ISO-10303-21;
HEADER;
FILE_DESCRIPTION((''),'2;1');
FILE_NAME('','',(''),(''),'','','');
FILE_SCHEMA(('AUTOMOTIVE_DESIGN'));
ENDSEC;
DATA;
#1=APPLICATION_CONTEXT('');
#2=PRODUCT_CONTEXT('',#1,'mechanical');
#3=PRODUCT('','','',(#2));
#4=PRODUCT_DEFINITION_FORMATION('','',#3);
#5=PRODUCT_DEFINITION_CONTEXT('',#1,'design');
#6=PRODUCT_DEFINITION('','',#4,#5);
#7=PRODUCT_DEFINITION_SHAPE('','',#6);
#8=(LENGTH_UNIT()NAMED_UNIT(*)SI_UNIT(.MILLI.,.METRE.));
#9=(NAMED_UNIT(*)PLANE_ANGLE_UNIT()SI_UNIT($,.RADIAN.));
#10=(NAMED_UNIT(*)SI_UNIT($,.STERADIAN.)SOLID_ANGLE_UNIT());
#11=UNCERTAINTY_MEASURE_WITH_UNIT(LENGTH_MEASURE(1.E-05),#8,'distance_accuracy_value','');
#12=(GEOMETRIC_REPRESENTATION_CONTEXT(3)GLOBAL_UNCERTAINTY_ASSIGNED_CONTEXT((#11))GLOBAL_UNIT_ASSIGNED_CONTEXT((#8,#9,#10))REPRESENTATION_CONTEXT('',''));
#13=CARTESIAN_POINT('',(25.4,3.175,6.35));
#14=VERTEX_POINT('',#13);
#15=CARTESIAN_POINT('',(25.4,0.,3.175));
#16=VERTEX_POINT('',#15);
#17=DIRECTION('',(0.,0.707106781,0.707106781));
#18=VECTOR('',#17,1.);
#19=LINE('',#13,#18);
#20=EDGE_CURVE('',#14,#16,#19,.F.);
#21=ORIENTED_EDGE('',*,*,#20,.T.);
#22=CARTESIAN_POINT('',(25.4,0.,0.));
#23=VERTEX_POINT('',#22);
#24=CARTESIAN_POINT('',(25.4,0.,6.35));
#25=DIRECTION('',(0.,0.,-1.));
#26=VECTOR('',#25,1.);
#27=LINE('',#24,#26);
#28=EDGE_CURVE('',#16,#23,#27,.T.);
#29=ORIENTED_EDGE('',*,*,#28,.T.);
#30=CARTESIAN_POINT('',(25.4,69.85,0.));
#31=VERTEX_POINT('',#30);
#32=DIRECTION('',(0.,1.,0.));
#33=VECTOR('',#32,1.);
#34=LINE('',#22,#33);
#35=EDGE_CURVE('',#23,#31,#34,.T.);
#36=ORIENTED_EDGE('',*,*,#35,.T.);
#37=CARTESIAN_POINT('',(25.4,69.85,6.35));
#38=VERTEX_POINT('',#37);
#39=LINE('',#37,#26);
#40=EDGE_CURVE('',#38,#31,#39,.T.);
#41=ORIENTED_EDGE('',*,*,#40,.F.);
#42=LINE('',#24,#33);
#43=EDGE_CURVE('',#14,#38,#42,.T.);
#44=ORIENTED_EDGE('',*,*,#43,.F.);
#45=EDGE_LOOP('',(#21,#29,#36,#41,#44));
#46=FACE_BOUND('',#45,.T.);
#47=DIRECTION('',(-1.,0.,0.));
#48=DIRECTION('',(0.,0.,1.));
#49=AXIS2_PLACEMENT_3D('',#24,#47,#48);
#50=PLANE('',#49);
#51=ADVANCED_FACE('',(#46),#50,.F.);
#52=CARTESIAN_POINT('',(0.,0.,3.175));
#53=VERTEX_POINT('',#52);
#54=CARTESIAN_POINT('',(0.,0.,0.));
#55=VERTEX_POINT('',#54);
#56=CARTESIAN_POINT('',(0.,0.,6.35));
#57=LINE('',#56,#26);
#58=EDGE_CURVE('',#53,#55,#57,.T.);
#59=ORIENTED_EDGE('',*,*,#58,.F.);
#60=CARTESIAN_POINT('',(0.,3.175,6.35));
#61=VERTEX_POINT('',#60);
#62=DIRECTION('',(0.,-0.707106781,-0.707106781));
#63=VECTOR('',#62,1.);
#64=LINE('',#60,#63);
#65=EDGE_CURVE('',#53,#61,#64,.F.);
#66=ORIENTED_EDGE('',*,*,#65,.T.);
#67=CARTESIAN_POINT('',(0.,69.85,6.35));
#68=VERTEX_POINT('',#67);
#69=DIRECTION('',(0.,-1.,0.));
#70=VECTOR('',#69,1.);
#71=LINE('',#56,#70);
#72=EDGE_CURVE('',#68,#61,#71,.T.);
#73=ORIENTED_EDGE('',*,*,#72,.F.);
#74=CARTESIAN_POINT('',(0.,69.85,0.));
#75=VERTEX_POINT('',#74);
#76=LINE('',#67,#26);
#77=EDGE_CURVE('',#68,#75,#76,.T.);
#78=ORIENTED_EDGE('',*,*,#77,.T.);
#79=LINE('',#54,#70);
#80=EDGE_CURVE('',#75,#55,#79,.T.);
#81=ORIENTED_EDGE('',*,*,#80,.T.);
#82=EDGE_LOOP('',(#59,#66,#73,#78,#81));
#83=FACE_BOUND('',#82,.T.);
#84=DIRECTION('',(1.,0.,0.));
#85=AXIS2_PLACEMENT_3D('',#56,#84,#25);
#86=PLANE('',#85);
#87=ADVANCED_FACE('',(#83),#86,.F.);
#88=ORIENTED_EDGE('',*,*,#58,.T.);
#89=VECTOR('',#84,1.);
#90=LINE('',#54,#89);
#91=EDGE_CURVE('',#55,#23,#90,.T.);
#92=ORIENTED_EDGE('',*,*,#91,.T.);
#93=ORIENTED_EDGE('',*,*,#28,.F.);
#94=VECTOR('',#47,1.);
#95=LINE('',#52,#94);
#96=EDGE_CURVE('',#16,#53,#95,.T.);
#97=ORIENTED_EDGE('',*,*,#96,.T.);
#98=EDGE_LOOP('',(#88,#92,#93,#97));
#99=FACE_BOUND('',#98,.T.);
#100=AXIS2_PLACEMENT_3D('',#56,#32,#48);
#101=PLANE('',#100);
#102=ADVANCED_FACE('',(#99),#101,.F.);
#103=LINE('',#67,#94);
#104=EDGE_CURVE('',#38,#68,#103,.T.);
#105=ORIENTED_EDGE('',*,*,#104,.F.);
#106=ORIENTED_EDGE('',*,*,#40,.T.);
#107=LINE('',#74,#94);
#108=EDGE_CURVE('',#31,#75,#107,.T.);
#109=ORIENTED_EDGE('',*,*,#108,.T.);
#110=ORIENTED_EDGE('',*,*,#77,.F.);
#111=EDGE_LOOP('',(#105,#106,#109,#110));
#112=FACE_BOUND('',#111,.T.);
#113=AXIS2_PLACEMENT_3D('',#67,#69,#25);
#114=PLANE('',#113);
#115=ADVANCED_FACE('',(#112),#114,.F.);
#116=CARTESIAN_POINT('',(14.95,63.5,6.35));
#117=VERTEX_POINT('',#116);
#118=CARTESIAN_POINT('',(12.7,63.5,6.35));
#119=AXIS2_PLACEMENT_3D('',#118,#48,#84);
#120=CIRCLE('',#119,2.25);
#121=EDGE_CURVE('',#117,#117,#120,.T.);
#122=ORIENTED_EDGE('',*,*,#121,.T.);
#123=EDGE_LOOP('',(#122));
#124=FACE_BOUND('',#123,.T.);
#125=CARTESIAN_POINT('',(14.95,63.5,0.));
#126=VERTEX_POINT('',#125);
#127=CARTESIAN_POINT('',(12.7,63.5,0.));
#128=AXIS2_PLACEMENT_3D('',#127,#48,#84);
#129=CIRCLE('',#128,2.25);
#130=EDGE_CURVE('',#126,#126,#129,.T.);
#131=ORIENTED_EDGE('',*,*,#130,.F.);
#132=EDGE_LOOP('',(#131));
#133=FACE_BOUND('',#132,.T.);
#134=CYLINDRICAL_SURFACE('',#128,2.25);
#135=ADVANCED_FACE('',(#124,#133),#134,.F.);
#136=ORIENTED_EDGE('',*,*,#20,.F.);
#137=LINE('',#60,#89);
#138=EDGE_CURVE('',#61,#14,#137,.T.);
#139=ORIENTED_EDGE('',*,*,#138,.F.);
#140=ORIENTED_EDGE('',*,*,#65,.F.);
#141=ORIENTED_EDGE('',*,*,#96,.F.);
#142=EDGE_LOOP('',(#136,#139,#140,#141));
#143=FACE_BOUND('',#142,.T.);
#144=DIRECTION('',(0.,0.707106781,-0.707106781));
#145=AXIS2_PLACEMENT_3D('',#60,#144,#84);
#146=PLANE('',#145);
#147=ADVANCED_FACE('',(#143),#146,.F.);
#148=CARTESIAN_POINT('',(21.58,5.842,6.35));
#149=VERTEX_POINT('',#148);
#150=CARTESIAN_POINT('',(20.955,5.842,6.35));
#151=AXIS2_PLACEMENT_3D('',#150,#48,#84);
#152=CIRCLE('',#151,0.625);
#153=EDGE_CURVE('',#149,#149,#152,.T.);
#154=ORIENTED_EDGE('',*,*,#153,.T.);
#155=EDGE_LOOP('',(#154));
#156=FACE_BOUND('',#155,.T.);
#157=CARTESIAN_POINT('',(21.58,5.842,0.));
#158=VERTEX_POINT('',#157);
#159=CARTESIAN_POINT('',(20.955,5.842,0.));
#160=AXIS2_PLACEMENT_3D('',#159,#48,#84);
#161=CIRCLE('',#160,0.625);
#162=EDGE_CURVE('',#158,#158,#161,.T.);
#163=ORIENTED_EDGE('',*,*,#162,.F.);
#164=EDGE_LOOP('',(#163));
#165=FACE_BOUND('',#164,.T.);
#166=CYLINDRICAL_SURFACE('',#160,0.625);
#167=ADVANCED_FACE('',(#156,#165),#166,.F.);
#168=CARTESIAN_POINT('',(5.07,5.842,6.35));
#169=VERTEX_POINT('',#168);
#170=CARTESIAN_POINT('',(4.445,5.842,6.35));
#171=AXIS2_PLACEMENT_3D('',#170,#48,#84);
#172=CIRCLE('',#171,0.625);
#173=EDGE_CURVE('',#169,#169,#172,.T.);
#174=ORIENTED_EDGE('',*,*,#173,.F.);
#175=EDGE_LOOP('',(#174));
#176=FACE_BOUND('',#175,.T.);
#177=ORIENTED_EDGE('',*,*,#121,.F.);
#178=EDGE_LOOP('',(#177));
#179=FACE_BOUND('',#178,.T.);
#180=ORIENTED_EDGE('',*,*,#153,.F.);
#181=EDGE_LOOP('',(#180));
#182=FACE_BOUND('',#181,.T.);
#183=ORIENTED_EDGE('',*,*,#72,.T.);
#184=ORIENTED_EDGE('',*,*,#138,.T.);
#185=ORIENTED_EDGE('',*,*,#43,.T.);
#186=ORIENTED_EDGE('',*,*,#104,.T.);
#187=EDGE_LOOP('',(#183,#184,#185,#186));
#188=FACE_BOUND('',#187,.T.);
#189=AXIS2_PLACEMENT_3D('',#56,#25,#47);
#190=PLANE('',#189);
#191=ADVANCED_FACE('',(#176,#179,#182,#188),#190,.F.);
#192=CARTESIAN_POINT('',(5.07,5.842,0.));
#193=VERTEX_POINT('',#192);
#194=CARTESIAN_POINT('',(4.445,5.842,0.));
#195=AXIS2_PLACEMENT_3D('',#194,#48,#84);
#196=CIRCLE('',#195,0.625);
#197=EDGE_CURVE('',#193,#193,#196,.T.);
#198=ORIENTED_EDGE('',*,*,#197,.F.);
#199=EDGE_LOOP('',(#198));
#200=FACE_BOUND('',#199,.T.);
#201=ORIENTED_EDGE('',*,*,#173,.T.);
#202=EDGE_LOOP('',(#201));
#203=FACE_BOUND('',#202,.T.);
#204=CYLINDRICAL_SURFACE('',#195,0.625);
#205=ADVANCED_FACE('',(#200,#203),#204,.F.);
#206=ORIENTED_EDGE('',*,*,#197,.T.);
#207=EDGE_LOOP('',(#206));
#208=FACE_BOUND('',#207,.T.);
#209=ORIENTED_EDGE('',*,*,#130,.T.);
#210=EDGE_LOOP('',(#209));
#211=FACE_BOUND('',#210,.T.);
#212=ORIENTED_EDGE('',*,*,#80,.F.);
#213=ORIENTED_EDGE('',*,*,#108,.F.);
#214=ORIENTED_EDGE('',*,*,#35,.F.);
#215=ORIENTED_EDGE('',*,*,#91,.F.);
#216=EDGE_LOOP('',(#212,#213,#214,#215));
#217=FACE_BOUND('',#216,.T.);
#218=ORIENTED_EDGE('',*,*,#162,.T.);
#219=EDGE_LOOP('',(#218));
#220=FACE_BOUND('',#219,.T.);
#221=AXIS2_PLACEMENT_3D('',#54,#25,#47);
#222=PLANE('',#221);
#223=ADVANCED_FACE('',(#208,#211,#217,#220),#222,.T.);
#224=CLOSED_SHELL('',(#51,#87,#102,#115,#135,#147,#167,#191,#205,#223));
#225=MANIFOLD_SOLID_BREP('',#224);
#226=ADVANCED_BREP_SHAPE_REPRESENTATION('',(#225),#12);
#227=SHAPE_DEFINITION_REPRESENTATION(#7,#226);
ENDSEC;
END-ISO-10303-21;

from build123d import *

# Parameters (mm, degrees)
SKETCH1_W           = 25.4
SKETCH1_H           = 69.85
BOSS_EXTRUDE1_DEPTH = 6.35
SKETCH2_R           = 2.25
SKETCH2_R_2         = 0.625
CUT_EXTRUDE1_DEPTH  = 6.35
CHAMFER1_SIZE       = 3.175


with BuildPart() as part:
    # Sketch1 → Boss-Extrude1 (new body)
    with BuildSketch(Plane.XY):
        with Locations((12.7, 34.925)):
            Rectangle(SKETCH1_W, SKETCH1_H)
    extrude(amount=BOSS_EXTRUDE1_DEPTH)

    # Sketch2 → Cut-Extrude1 (cut)
    with BuildSketch(Plane.XY.offset(6.35)):
        with Locations((12.7, 63.5)):
            Circle(SKETCH2_R)
        with Locations((4.445, 5.842)):
            Circle(SKETCH2_R_2)
        with Locations((20.955, 5.842)):
            Circle(SKETCH2_R_2)
    extrude(amount=-CUT_EXTRUDE1_DEPTH, mode=Mode.SUBTRACT)

    # Chamfer1
    chamfer1_edges = [part.edges().sort_by_distance(p)[0] for p in [
        (12.7, 0, 6.35),
    ]]
    chamfer(chamfer1_edges, length=CHAMFER1_SIZE)


solid = part.part
